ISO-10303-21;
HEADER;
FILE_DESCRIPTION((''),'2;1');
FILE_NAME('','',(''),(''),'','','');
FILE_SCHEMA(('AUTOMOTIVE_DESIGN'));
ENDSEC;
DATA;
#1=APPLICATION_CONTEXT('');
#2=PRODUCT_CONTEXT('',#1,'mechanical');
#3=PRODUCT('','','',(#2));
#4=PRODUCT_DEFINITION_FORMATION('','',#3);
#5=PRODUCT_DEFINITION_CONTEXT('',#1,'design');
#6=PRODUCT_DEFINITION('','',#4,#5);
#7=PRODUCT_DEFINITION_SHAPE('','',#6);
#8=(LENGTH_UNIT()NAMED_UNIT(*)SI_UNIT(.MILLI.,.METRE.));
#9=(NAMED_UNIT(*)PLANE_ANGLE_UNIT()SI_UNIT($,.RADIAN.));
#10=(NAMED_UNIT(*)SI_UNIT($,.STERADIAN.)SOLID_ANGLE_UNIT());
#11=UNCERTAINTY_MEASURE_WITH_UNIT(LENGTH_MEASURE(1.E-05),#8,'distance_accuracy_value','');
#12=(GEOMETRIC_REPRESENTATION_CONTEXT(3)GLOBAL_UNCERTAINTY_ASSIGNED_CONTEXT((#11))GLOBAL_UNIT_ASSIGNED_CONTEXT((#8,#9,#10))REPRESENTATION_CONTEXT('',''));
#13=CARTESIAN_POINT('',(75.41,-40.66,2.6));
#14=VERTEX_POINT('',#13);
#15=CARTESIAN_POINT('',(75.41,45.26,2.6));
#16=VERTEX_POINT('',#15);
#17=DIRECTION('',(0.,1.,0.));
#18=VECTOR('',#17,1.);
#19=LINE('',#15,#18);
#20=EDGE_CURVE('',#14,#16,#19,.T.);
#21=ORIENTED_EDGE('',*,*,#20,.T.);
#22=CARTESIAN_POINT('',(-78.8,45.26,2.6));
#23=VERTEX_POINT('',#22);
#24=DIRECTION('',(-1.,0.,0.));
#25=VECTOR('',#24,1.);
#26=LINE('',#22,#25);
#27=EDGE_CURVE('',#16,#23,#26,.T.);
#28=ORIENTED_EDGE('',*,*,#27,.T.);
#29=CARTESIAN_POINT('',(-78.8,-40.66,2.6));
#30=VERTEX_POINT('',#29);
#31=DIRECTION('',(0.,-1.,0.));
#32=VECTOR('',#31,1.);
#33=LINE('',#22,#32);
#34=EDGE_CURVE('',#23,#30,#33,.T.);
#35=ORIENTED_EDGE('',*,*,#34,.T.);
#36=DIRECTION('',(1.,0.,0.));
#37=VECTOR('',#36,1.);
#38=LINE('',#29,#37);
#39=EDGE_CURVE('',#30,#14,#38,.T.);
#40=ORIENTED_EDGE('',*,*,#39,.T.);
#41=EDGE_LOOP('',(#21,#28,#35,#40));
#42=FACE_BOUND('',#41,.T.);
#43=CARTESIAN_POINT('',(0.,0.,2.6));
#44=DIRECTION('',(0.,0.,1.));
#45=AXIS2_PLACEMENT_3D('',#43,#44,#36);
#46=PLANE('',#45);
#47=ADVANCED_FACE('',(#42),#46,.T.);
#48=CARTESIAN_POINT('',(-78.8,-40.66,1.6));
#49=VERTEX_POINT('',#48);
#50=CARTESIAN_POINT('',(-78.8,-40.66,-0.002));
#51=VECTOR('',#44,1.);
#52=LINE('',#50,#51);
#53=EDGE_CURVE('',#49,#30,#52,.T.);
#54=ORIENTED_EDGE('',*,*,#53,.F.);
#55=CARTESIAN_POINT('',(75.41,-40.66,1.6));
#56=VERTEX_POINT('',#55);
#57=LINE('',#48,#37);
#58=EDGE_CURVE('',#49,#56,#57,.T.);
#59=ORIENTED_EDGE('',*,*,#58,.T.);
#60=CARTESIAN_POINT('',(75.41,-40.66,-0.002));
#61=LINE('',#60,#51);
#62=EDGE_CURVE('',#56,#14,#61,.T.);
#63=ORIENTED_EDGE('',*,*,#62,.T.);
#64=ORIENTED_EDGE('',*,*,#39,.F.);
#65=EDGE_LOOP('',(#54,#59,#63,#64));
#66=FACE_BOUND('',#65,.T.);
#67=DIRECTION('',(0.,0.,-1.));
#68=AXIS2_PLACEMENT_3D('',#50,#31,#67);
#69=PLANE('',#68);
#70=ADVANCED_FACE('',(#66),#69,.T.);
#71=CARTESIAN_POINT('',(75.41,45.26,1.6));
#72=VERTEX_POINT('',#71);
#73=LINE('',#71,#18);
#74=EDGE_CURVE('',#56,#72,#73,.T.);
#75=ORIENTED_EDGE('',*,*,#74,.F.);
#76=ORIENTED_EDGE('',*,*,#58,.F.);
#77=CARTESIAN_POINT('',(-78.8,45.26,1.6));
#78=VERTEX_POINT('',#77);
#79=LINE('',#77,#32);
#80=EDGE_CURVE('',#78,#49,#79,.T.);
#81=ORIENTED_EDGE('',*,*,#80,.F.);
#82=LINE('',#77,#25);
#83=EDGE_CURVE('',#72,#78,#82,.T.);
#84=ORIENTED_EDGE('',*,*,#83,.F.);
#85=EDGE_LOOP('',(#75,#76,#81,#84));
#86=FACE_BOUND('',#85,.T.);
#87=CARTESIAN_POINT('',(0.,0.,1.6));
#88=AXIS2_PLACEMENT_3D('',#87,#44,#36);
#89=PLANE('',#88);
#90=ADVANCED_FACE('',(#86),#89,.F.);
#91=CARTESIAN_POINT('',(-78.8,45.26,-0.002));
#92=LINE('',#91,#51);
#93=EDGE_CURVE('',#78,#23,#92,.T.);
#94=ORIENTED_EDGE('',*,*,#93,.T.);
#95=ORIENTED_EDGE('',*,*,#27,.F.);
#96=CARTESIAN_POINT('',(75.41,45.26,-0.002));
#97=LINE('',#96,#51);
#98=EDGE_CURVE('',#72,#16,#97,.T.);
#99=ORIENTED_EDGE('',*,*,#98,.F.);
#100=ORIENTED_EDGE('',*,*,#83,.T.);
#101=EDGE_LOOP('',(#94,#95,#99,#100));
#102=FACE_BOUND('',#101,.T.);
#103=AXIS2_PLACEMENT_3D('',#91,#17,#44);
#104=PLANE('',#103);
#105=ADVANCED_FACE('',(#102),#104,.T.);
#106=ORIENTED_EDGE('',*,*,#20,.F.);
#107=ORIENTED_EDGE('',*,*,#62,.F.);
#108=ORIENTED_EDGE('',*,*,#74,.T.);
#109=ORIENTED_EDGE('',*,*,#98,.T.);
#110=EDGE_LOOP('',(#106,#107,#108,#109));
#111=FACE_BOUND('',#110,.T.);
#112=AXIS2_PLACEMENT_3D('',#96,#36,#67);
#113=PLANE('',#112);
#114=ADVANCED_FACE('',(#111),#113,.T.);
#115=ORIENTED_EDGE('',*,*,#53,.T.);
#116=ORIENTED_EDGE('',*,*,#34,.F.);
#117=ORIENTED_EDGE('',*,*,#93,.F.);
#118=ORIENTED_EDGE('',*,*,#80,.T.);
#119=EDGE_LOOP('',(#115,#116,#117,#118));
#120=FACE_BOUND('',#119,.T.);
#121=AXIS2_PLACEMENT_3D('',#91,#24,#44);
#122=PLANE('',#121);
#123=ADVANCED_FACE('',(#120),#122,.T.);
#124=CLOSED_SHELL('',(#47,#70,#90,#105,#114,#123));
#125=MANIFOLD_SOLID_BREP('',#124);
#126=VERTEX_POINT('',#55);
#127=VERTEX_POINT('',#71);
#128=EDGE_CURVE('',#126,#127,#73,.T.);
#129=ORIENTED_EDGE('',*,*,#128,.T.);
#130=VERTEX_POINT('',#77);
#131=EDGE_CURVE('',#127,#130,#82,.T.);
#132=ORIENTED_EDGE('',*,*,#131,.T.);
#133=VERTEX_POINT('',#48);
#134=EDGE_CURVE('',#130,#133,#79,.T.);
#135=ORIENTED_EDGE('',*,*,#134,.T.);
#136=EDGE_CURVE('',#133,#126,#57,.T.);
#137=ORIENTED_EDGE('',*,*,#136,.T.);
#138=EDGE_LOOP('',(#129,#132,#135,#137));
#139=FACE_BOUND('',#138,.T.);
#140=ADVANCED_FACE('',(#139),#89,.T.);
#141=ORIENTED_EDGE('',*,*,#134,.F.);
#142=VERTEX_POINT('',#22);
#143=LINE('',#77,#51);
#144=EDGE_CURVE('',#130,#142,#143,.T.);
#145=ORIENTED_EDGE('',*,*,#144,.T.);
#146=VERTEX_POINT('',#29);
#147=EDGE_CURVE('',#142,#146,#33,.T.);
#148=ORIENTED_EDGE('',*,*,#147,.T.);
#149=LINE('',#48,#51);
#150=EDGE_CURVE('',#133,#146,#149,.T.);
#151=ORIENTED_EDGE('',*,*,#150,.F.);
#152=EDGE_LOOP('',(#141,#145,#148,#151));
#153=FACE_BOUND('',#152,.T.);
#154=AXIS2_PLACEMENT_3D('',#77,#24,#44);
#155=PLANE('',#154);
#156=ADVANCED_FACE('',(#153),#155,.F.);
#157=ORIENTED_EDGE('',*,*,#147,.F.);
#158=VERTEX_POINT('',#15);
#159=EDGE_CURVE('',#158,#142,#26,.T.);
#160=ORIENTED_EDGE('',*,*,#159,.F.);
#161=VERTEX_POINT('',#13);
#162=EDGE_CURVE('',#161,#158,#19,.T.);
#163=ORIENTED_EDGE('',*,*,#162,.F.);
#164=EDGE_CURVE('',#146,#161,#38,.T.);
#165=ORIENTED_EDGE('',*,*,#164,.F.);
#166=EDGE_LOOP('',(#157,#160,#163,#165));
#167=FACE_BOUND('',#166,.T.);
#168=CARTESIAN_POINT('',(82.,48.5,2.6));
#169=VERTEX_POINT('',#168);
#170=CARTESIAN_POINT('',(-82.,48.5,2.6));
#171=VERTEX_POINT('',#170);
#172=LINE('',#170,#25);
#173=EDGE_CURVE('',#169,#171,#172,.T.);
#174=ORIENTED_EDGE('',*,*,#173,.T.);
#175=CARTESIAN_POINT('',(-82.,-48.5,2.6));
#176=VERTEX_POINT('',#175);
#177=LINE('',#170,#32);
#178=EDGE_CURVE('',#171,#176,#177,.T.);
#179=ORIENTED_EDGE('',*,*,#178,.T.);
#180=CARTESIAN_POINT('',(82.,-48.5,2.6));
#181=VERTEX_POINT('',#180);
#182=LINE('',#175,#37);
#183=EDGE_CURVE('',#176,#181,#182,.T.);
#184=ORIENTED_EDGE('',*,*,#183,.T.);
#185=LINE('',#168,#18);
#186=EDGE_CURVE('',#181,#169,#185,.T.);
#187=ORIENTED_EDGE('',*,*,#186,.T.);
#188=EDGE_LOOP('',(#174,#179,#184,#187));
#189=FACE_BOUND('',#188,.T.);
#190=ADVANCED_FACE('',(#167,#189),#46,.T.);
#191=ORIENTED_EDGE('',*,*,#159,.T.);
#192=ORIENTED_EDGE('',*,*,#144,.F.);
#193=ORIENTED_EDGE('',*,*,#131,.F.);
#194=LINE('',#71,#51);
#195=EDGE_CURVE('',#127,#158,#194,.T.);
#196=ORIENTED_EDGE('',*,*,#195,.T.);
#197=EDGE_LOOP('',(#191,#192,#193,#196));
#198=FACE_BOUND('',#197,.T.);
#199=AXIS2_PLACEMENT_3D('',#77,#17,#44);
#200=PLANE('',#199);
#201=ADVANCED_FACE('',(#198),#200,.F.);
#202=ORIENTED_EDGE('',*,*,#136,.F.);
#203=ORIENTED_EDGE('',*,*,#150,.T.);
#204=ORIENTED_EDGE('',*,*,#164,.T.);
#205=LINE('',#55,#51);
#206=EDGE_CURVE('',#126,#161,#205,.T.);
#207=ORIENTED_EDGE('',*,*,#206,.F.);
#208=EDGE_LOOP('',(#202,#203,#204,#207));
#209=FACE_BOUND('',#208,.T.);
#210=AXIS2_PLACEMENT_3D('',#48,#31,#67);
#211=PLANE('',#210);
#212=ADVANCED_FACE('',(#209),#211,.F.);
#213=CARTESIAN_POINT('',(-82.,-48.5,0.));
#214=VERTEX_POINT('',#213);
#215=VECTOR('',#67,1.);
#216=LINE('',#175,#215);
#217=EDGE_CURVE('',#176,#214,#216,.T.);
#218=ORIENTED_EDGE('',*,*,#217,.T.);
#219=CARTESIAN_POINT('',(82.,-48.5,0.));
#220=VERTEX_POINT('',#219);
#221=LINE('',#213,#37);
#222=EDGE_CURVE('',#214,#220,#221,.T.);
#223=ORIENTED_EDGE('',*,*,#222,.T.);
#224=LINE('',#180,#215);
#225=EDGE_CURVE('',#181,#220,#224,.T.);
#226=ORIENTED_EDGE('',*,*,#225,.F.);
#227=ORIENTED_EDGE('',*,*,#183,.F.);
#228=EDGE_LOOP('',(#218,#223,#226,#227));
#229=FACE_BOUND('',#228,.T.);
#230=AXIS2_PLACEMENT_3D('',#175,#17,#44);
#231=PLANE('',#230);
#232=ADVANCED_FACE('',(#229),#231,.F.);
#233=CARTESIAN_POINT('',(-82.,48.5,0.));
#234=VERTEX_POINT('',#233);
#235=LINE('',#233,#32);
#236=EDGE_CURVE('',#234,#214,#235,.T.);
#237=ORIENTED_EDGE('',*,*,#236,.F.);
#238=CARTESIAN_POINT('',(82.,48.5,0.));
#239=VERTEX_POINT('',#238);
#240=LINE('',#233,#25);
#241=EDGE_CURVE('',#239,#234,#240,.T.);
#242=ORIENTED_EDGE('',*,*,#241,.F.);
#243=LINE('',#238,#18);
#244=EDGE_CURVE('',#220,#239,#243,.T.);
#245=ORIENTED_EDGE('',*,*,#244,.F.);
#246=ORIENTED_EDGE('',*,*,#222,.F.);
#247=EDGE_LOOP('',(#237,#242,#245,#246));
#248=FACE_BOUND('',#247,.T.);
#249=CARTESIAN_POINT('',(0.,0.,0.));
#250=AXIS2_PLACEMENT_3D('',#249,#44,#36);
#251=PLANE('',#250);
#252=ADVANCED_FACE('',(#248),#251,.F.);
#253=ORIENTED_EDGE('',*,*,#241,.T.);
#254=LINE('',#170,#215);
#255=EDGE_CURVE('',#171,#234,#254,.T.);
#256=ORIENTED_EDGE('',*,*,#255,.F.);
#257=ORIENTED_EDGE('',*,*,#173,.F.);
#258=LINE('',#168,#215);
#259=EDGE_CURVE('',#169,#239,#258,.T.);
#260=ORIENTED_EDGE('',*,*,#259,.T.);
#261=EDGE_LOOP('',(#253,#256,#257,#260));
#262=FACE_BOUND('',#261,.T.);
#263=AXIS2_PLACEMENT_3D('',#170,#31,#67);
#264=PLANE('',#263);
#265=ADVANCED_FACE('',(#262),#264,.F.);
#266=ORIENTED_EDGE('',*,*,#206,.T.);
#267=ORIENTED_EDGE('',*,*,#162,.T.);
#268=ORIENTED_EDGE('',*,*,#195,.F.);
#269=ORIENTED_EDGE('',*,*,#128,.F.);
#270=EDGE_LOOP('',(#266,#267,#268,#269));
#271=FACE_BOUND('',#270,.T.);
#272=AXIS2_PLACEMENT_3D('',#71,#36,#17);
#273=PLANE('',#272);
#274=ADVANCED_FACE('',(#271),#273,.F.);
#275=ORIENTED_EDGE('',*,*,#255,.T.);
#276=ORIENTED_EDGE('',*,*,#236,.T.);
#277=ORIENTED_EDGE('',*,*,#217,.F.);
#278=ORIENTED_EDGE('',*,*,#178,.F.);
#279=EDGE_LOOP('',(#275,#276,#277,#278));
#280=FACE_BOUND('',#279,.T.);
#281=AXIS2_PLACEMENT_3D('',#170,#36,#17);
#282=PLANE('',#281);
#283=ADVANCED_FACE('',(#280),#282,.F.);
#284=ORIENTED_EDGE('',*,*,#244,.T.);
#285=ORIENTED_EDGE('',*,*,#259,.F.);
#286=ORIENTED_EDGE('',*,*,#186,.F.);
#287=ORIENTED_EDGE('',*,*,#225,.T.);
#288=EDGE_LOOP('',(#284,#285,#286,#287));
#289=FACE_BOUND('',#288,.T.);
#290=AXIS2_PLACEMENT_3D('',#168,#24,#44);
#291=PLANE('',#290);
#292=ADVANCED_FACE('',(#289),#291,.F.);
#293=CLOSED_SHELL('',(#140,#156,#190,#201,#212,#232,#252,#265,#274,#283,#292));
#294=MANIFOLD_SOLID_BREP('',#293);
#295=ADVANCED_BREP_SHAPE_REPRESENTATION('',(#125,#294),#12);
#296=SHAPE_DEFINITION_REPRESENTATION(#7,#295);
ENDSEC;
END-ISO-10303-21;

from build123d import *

# Parameters (mm, degrees)
SKETCH1_W           = 164
SKETCH1_H           = 97
BOSS_EXTRUDE1_DEPTH = 2.6
SKETCH2_W           = 154.21
SKETCH2_H           = 85.92
CUT_EXTRUDE1_DEPTH  = 1
BOSS_EXTRUDE3_REACH = 97.305
SKETCH3_W           = 154.21
SKETCH3_H           = 85.92


with BuildPart() as part:
    # Sketch1 → Boss-Extrude1 (new body)
    with BuildSketch(Plane.XY):
        Rectangle(SKETCH1_W, SKETCH1_H)
    extrude(amount=BOSS_EXTRUDE1_DEPTH)

    # Sketch2 → Cut-Extrude1 (cut)
    with BuildSketch(Plane.XY.offset(2.6)):
        with Locations((-1.695, 2.3)):
            Rectangle(SKETCH2_W, SKETCH2_H)
    extrude(amount=-CUT_EXTRUDE1_DEPTH, mode=Mode.SUBTRACT)


with BuildPart() as body_2:

    # Sketch3 → Boss-Extrude3 (new, up to next)
    with BuildSketch(Plane.XY.offset(2.6), mode=Mode.PRIVATE) as boss_extrude3_sk1:
        with Locations((-1.695, 2.3)):
            Rectangle(SKETCH3_W, SKETCH3_H)
    boss_extrude3_tool1 = extrude(boss_extrude3_sk1.sketch, amount=-BOSS_EXTRUDE3_REACH, mode=Mode.PRIVATE) - part.part
    add(boss_extrude3_tool1.solids().sort_by_distance((-1.695, 2.3, 2.6))[0])


solid = Compound([part.part, body_2.part])
